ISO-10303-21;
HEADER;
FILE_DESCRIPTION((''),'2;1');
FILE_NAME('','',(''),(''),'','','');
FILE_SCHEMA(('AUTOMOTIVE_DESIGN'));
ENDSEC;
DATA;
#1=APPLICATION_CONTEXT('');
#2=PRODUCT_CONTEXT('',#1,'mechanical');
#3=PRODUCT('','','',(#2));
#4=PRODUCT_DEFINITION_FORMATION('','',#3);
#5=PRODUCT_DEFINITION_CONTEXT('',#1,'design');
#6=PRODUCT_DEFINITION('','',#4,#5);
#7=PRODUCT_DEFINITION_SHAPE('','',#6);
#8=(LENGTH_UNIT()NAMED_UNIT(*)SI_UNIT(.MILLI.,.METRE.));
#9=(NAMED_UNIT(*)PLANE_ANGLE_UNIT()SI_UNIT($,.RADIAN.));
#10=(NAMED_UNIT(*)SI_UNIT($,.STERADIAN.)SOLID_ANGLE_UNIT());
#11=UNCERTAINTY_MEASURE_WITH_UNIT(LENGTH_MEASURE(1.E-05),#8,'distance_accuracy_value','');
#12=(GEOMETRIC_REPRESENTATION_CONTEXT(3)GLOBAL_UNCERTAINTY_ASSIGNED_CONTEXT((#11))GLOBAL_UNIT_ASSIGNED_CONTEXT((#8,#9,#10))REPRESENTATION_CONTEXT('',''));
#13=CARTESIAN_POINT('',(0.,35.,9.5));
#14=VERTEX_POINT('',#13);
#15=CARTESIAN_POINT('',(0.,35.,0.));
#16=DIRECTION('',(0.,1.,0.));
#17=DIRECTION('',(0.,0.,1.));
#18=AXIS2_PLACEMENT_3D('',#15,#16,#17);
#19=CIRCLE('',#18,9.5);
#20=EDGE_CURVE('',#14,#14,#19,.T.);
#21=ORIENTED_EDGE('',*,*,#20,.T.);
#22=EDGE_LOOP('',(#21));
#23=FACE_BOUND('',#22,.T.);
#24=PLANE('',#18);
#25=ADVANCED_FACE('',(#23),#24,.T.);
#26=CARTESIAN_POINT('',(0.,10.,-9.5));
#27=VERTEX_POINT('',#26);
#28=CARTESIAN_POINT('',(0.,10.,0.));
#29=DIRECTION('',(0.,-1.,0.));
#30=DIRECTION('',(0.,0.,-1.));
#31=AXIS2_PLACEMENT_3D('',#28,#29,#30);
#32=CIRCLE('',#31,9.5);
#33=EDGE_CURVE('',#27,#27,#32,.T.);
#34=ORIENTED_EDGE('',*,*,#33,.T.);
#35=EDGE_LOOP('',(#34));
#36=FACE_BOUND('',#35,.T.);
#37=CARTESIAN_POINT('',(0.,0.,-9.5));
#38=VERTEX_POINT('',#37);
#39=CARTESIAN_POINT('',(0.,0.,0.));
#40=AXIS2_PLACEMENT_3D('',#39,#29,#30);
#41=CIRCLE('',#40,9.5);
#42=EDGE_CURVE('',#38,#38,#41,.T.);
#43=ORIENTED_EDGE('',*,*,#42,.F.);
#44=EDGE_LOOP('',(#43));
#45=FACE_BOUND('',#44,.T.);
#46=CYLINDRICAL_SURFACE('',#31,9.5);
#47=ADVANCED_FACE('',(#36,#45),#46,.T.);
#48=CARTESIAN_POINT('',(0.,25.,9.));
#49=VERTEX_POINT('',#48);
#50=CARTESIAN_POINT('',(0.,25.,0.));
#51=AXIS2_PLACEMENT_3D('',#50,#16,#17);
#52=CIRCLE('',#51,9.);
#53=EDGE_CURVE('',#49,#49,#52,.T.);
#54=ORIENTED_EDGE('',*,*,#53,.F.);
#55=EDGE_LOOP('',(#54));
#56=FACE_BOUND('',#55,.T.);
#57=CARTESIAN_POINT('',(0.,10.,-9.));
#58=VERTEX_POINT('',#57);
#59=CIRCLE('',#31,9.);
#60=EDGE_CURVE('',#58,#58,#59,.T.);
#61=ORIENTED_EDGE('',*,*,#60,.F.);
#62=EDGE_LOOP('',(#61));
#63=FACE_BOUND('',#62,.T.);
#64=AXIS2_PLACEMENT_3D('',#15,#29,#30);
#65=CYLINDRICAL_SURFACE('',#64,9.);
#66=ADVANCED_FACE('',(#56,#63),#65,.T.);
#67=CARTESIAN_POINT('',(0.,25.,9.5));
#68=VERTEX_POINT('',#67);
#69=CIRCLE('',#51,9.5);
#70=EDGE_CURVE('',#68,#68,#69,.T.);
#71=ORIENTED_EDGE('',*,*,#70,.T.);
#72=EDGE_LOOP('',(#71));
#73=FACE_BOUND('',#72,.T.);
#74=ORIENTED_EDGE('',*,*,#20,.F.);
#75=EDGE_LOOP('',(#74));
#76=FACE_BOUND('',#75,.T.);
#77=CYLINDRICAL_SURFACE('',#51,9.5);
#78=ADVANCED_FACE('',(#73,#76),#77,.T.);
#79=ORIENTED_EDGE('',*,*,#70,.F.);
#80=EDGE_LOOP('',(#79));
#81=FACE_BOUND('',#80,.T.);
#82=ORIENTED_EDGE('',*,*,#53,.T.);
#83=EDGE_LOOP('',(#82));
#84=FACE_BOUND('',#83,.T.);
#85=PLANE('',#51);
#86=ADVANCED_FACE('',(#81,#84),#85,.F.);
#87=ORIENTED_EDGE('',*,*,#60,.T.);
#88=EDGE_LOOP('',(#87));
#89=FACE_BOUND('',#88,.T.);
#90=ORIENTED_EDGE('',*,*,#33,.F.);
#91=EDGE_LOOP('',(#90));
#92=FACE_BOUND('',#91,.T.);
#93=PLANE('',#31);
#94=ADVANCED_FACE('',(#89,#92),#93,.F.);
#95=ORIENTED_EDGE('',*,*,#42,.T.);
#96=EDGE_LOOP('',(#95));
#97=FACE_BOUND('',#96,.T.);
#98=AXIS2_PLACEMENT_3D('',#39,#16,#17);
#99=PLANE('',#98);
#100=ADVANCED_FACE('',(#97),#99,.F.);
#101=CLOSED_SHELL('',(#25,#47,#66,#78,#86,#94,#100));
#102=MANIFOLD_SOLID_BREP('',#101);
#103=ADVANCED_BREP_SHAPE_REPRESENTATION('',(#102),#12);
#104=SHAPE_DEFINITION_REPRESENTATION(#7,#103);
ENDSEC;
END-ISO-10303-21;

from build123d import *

# Parameters (mm, degrees)
SKETCH1_R           = 9
BOSS_EXTRUDE1_DEPTH = 35
SKETCH2_R           = 9.5
SKETCH2_R_2         = 9
BOSS_EXTRUDE2_DEPTH = 10
SKETCH3_R           = 9.5
SKETCH3_R_2         = 9
BOSS_EXTRUDE3_DEPTH = 10


with BuildPart() as part:
    # Sketch1 → Boss-Extrude1 (new body)
    with BuildSketch(Plane(origin=(0, 0, 0), x_dir=(1, 0, 0), z_dir=(0, 1, 0))):
        Circle(SKETCH1_R)
    extrude(amount=BOSS_EXTRUDE1_DEPTH)

    # Sketch2 → Boss-Extrude2 (add)
    with BuildSketch(Plane(origin=(0, 35, 0), x_dir=(1, 0, 0), z_dir=(0, 1, 0))):
        Circle(SKETCH2_R)
        Circle(SKETCH2_R_2, mode=Mode.SUBTRACT)
    extrude(amount=-BOSS_EXTRUDE2_DEPTH)

    # Sketch3 → Boss-Extrude3 (add)
    with BuildSketch(Plane(origin=(0, 0, 0), x_dir=(-1, 0, 0), z_dir=(0, -1, 0))):
        Circle(SKETCH3_R)
        Circle(SKETCH3_R_2, mode=Mode.SUBTRACT)
    extrude(amount=-BOSS_EXTRUDE3_DEPTH)


solid = part.part
